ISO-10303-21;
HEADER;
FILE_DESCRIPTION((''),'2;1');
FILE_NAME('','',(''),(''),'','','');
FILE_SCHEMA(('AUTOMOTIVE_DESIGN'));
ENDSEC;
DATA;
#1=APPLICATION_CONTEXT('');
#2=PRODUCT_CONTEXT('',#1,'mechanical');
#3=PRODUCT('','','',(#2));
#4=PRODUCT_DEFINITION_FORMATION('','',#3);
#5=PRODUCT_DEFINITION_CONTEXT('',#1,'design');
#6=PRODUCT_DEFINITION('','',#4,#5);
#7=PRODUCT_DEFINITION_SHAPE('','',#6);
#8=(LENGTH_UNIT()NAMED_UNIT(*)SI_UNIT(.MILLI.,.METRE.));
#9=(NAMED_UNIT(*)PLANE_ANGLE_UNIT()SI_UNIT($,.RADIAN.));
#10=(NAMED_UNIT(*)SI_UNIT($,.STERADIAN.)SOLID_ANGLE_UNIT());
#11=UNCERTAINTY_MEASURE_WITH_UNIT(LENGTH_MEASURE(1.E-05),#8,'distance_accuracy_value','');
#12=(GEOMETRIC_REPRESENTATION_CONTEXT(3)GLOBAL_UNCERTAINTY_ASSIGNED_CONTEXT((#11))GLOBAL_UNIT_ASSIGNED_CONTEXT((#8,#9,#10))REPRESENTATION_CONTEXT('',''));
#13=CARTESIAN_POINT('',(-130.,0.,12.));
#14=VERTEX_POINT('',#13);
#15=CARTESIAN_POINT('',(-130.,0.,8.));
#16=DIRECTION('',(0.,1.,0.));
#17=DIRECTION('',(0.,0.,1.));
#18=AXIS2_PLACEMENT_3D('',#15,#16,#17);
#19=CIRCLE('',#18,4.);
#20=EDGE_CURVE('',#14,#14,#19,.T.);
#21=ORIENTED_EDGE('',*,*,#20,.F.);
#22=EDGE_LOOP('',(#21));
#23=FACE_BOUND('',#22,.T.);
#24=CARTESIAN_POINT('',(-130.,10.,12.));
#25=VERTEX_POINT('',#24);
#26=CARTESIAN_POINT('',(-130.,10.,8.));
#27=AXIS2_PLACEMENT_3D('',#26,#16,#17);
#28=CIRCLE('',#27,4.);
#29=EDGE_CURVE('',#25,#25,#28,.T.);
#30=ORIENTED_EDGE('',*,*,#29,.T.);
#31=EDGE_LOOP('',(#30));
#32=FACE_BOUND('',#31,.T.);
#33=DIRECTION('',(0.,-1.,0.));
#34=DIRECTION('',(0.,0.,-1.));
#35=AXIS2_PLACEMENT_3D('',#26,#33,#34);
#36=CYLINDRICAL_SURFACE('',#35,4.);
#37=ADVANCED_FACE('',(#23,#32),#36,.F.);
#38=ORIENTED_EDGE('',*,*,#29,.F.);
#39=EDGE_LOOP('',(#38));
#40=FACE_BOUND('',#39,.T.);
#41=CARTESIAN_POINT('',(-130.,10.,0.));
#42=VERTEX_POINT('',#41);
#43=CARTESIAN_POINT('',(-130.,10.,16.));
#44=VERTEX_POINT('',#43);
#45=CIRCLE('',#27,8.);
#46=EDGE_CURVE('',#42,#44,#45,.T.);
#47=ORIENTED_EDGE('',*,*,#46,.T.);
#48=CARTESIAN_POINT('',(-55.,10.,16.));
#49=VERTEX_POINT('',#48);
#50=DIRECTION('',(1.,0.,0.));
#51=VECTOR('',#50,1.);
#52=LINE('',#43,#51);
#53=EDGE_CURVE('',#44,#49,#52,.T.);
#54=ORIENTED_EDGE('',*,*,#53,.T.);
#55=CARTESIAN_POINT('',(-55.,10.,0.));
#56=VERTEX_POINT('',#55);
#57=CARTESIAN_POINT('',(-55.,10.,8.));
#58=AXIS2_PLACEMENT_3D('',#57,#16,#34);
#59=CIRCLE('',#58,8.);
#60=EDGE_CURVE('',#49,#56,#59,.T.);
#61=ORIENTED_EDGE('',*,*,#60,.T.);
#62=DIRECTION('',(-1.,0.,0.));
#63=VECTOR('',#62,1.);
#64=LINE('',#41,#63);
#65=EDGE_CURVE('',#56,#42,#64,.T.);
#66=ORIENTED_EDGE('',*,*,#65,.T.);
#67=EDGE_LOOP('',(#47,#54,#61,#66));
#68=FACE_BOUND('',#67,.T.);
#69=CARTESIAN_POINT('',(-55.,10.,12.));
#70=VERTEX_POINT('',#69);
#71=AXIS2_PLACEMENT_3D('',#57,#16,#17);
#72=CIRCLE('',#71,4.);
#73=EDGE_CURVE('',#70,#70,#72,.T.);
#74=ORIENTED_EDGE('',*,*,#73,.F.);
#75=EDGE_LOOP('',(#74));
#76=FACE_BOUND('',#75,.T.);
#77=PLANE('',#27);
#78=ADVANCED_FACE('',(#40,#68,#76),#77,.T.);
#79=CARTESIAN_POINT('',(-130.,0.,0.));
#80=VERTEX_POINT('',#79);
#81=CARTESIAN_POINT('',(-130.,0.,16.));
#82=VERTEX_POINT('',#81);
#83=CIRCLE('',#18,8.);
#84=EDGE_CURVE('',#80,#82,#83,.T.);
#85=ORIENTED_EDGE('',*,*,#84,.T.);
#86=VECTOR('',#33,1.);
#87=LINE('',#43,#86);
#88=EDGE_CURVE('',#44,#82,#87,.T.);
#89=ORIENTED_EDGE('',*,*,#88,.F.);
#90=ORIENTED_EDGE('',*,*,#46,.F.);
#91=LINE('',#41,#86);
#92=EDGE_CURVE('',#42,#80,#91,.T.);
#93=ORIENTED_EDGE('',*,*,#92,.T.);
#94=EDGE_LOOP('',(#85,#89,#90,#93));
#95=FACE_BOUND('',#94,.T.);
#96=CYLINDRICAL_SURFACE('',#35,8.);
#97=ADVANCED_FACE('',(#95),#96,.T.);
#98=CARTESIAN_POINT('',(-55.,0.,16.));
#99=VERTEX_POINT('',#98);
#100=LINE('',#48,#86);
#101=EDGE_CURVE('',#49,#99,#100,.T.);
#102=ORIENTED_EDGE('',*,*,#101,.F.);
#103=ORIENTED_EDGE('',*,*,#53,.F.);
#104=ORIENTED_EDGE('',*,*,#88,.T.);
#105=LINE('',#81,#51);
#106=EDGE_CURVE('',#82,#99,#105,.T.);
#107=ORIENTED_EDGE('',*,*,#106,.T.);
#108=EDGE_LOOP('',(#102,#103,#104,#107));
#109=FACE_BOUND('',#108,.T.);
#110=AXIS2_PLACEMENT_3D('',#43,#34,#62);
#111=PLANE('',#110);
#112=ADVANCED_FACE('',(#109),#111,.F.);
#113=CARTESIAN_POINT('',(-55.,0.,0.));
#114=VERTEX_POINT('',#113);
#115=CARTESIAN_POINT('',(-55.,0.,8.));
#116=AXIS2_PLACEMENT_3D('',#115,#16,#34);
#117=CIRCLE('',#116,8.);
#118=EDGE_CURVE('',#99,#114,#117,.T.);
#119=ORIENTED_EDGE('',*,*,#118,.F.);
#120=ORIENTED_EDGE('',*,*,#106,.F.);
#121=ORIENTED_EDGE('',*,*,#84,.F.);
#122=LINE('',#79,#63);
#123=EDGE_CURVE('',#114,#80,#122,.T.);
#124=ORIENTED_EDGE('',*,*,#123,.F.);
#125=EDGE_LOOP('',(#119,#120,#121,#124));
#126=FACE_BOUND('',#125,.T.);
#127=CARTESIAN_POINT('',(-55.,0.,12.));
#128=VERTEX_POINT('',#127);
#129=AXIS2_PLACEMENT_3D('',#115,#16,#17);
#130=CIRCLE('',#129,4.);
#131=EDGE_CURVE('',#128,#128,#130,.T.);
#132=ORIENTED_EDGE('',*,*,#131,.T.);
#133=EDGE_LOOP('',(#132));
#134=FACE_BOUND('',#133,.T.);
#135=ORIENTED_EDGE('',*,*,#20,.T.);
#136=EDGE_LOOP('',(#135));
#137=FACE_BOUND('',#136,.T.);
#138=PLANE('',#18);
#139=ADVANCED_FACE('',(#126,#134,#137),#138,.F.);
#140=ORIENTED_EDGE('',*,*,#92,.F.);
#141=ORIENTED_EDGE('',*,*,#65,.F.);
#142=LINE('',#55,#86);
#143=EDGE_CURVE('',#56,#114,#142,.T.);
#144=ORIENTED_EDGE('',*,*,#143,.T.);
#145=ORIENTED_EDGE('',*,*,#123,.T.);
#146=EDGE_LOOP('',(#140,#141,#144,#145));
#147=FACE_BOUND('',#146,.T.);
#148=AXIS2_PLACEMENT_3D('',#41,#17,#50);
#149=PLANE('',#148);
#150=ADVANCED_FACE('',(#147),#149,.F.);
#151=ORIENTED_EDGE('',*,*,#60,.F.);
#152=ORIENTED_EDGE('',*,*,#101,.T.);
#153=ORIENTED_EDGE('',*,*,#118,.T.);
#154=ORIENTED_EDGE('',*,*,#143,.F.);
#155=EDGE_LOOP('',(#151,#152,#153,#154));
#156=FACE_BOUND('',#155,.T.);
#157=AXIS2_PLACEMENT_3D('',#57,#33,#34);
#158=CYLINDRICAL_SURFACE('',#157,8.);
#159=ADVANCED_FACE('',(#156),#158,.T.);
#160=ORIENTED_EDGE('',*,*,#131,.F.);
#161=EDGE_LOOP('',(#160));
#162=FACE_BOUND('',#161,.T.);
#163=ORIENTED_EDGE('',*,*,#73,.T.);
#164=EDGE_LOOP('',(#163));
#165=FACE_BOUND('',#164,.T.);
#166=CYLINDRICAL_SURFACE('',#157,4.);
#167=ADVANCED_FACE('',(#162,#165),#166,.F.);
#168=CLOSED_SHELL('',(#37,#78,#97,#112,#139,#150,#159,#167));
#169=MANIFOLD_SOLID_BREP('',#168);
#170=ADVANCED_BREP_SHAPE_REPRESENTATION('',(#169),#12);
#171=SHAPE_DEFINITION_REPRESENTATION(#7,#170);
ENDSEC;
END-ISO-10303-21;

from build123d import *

# Parameters (mm, degrees)
SKETCH1_R           = 4
BOSS_EXTRUDE1_DEPTH = 10


with BuildPart() as part:
    # Sketch1 → Boss-Extrude1 (new body)
    with BuildSketch(Plane(origin=(0, 0, 0), x_dir=(1, 0, 0), z_dir=(0, 1, 0))):
        with BuildLine():
            Line((-130, 0), (-55, 0))
            ThreePointArc((-55, 0), (-47, -8), (-55, -16))
            Line((-55, -16), (-130, -16))
            ThreePointArc((-130, -16), (-138, -8), (-130, 0))
        make_face()
        with Locations(Location((-130, -8, 0), (0, 0, 270))):
            Circle(SKETCH1_R, mode=Mode.SUBTRACT)
        with Locations(Location((-55, -8, 0), (0, 0, 270))):
            Circle(SKETCH1_R, mode=Mode.SUBTRACT)
    extrude(amount=BOSS_EXTRUDE1_DEPTH)


solid = part.part
